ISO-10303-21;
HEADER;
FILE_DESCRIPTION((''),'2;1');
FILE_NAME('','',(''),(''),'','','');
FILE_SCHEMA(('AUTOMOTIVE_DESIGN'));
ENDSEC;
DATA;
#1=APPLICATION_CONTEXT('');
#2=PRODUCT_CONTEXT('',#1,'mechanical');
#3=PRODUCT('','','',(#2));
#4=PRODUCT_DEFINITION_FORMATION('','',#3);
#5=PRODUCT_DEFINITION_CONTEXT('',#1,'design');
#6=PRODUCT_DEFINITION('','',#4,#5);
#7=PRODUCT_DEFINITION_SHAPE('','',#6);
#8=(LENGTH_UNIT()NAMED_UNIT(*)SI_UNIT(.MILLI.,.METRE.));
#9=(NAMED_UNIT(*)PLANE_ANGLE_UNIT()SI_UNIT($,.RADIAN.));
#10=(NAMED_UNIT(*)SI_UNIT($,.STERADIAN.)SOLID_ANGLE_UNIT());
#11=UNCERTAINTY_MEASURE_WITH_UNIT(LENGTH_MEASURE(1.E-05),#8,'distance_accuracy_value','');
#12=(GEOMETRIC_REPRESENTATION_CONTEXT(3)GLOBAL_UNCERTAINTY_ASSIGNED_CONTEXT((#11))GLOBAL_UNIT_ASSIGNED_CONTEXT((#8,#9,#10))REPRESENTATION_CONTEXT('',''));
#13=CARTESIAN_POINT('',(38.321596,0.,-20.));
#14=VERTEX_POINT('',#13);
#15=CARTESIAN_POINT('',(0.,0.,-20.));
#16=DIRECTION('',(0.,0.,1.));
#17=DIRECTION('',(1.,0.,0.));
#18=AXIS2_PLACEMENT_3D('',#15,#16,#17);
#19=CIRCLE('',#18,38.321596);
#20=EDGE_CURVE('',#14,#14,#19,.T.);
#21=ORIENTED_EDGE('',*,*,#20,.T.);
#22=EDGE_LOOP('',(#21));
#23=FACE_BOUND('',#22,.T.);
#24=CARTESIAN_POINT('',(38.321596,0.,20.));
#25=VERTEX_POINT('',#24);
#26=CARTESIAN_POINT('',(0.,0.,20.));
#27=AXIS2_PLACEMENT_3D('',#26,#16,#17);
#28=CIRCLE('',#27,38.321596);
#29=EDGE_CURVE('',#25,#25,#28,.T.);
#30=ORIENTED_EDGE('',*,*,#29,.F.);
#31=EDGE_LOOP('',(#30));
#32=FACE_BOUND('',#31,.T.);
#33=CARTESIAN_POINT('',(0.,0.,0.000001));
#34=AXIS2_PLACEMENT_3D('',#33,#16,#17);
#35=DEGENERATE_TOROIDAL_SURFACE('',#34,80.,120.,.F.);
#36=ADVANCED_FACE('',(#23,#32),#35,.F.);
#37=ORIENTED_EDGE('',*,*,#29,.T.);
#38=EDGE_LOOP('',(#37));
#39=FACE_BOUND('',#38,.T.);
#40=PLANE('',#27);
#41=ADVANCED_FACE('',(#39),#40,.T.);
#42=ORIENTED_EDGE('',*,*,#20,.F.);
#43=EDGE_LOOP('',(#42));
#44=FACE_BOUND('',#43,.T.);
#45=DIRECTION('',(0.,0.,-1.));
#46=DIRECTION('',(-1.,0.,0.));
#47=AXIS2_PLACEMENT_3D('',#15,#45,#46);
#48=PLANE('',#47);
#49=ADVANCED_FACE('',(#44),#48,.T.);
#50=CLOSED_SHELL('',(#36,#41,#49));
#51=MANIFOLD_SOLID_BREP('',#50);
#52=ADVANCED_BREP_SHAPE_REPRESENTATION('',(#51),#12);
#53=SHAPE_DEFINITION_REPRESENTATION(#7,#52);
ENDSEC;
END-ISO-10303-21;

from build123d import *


with BuildPart() as part:
    # 草图2 → 旋转1 (revolve)
    with BuildSketch(Plane(origin=(0, 0, 0), x_dir=(1, 0, 0), z_dir=(0, 1, 0))):
        with BuildLine():
            Line((0, -20), (38.321595814, -20))
            ThreePointArc((38.321595814, -20), (40, 1.3e-08), (38.32159551, 20))
            Line((38.32159551, 20), (0, 20))
            Line((0, 20), (0, -20))
        make_face()
    revolve(axis=Axis((0, 0, 57.564055542), (0, 0, -1)))


solid = part.part
